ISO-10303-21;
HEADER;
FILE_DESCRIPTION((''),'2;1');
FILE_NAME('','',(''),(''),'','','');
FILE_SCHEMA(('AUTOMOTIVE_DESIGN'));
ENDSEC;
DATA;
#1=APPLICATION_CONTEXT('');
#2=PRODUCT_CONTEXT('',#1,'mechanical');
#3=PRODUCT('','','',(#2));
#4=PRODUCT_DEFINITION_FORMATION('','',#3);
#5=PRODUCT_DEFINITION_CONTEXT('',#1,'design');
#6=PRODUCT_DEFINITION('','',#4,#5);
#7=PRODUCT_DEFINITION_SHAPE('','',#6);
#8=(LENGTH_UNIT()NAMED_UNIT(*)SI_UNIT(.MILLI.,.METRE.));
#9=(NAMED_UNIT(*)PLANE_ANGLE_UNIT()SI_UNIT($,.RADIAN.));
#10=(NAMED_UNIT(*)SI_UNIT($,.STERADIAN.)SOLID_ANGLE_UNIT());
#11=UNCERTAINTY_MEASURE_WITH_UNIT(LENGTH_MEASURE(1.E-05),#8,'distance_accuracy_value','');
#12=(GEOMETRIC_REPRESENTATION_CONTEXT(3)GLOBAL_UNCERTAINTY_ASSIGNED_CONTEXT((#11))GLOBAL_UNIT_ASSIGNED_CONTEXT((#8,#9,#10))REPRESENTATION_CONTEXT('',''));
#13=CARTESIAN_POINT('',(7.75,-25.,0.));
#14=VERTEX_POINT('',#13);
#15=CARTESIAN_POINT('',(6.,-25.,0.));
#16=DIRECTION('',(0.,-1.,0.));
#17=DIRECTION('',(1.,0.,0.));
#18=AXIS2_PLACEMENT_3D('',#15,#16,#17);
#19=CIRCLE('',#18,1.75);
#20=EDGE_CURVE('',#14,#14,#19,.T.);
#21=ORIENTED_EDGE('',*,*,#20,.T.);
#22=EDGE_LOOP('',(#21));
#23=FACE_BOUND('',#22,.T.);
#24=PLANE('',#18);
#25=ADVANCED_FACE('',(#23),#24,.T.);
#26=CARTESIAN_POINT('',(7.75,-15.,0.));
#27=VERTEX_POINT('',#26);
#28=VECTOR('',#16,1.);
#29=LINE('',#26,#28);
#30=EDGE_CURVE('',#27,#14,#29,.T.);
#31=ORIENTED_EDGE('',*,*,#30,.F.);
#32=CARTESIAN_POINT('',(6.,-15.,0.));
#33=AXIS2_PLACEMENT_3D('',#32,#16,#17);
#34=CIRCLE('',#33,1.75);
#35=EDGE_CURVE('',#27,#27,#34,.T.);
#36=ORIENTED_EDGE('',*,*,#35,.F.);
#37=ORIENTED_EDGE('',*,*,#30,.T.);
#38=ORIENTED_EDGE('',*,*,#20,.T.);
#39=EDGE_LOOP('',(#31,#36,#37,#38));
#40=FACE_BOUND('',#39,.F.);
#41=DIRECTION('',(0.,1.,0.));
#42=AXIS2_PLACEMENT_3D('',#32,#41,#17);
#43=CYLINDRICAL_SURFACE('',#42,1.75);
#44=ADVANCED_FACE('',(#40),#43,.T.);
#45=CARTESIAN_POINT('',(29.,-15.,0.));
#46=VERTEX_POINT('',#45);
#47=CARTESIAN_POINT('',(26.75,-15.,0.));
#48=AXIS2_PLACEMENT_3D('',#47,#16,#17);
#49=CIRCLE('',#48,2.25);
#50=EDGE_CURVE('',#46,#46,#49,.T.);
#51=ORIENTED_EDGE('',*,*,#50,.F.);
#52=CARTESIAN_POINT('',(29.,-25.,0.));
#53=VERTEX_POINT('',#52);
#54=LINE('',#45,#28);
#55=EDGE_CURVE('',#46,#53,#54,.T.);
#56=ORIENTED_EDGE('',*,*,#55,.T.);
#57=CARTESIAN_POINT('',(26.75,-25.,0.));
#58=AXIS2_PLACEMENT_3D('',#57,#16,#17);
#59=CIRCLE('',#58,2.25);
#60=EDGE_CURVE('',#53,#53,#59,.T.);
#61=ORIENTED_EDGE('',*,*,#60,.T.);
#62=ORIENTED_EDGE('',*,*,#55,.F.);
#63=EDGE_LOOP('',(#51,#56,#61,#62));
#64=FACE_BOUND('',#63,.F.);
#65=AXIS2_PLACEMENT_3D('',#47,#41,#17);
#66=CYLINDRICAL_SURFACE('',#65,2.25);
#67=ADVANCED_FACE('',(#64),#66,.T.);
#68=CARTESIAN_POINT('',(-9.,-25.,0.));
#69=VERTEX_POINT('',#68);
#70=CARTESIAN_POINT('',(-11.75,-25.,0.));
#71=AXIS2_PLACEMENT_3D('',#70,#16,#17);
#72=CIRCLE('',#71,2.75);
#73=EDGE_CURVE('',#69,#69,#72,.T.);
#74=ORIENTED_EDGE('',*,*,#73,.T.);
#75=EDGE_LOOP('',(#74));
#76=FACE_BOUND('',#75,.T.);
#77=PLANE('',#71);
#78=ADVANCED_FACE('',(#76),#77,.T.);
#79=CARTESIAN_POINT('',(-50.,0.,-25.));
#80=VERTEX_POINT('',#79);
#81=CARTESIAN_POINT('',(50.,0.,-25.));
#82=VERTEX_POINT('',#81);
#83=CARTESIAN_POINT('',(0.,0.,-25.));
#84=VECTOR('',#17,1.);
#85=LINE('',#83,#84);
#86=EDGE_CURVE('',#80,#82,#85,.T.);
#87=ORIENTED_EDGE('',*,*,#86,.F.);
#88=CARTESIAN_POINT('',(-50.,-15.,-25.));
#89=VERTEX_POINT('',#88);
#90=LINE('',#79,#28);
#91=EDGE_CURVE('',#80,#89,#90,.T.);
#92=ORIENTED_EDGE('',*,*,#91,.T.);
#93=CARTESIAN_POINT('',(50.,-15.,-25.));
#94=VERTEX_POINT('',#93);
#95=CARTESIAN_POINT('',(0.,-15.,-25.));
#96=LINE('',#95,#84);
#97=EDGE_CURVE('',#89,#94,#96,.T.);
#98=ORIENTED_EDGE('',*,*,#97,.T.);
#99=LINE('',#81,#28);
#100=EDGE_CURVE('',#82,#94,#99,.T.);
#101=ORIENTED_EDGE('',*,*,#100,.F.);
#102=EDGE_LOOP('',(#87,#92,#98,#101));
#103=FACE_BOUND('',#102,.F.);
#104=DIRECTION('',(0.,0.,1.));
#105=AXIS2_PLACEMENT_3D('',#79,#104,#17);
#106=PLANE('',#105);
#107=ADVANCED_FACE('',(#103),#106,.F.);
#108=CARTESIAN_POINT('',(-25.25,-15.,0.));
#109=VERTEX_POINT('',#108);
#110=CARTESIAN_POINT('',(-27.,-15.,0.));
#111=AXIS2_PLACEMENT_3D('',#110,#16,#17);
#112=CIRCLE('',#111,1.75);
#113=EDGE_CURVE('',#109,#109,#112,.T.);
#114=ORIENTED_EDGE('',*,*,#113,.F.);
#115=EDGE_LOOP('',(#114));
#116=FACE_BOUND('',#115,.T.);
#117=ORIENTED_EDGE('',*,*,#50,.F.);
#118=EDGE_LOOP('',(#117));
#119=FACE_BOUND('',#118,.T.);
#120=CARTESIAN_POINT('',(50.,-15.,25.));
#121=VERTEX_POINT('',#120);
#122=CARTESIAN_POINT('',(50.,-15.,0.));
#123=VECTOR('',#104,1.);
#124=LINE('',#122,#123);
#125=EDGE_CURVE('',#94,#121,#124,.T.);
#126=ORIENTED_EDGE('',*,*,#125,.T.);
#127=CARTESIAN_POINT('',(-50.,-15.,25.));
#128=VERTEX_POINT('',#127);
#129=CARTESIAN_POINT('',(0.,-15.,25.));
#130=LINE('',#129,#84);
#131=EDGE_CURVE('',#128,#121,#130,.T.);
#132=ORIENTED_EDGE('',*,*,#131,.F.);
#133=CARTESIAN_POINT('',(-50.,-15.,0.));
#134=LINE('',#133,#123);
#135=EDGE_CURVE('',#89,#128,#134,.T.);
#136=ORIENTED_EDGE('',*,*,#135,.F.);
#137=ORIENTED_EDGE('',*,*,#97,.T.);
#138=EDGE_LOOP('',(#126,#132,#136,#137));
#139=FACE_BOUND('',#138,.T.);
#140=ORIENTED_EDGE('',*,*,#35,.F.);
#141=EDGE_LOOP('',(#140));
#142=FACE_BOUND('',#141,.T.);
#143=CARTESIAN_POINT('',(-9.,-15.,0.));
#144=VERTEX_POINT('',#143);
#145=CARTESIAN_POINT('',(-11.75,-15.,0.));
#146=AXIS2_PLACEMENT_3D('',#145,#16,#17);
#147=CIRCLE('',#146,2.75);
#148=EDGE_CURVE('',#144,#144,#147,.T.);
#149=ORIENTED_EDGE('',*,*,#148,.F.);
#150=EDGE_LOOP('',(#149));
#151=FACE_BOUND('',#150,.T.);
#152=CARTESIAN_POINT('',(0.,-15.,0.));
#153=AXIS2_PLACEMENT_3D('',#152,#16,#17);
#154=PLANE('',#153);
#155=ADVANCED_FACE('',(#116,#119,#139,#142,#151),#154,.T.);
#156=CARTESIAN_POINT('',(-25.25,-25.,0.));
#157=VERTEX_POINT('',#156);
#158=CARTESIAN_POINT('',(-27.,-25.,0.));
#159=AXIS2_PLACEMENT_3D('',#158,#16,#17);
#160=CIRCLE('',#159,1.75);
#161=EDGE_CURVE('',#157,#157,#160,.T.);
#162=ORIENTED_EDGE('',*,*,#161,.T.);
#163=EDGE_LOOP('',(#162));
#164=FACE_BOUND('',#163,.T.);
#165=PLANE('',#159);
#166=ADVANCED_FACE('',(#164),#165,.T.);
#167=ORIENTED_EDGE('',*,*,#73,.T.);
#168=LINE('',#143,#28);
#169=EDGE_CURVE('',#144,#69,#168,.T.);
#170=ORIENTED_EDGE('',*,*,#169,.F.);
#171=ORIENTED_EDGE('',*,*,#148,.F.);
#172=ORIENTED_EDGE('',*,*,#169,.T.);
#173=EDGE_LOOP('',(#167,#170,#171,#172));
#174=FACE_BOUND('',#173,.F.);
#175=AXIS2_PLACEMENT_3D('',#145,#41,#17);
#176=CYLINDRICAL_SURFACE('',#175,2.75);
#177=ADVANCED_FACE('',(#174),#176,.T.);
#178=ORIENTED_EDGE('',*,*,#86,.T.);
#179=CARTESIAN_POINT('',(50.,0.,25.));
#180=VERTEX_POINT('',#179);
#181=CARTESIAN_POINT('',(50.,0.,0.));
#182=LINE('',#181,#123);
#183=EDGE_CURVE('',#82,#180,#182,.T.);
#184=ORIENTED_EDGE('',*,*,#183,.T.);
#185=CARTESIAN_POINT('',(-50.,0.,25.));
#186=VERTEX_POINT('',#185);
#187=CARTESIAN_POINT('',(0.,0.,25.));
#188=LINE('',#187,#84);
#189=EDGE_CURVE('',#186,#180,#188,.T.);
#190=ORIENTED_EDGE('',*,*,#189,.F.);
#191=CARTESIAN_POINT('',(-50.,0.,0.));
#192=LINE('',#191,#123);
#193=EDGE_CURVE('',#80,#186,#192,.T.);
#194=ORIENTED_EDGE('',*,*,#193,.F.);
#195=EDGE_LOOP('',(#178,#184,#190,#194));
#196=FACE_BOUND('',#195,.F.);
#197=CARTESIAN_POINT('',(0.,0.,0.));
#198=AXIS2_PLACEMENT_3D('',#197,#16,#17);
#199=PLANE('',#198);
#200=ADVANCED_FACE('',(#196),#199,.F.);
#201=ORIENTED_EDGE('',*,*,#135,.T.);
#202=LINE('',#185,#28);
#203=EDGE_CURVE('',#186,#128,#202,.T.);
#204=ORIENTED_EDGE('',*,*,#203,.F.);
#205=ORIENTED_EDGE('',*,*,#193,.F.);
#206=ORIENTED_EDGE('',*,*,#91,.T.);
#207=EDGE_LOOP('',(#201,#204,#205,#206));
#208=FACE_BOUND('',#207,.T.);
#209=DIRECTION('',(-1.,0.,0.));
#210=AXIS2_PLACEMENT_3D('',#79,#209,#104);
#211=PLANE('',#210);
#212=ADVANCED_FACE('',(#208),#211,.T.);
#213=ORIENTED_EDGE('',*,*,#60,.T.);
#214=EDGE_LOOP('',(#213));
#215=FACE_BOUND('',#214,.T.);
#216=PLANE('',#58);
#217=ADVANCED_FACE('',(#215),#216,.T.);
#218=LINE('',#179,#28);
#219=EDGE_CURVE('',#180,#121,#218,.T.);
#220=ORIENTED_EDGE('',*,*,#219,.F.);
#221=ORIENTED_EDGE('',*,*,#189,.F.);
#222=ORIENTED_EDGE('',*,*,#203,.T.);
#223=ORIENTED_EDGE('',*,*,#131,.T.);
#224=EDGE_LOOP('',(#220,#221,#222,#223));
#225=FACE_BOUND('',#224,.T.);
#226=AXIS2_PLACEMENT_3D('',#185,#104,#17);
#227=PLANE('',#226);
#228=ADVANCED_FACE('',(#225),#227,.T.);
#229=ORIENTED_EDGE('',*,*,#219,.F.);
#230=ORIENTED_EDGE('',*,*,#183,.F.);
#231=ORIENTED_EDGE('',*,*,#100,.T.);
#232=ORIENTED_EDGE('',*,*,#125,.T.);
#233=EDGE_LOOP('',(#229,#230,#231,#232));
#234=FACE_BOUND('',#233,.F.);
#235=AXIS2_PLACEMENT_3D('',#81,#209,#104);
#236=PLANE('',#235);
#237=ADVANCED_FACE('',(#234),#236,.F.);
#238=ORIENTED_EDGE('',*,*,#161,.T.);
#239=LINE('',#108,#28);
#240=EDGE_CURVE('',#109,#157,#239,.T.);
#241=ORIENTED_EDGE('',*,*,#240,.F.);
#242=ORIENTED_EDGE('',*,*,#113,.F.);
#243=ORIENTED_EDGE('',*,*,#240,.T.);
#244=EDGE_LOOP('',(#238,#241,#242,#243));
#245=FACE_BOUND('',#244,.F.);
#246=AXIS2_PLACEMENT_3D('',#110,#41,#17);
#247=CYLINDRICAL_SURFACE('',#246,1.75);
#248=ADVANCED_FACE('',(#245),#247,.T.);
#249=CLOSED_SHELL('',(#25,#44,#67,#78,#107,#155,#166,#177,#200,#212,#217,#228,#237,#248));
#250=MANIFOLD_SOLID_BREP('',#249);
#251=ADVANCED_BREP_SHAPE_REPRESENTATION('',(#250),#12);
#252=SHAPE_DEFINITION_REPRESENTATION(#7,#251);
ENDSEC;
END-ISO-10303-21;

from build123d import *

# Parameters (mm, degrees)
F0_W     = 100
F0_H     = 50
F1_DEPTH = 15
F2_R     = 1.75
F3_DEPTH = 10
F4_R     = 2.75
F5_DEPTH = 10
F6_R     = 1.75
F7_DEPTH = 10
F8_R     = 2.25
F9_DEPTH = 10


with BuildPart() as f1:
    # F0 (on Front) → F1 (new body)
    with BuildSketch(Plane.XZ):
        Rectangle(F0_W, F0_H)
    extrude(amount=F1_DEPTH)

    # F2 (on face) → F3 (join)
    with BuildSketch(Plane.XZ.offset(15)):
        with Locations((-27, 0)):
            Circle(F2_R)
    extrude(amount=F3_DEPTH)

    # F4 (on face) → F5 (join)
    with BuildSketch(Plane.XZ.offset(15)):
        with Locations((-11.75, 0)):
            Circle(F4_R)
    extrude(amount=F5_DEPTH)

    # F6 (on face) → F7 (join)
    with BuildSketch(Plane.XZ.offset(15)):
        with Locations((6, 0)):
            Circle(F6_R)
    extrude(amount=F7_DEPTH)

    # F8 (on face) → F9 (join)
    with BuildSketch(Plane.XZ.offset(15)):
        with Locations((26.75, 0)):
            Circle(F8_R)
    extrude(amount=F9_DEPTH)


solid = f1.part
